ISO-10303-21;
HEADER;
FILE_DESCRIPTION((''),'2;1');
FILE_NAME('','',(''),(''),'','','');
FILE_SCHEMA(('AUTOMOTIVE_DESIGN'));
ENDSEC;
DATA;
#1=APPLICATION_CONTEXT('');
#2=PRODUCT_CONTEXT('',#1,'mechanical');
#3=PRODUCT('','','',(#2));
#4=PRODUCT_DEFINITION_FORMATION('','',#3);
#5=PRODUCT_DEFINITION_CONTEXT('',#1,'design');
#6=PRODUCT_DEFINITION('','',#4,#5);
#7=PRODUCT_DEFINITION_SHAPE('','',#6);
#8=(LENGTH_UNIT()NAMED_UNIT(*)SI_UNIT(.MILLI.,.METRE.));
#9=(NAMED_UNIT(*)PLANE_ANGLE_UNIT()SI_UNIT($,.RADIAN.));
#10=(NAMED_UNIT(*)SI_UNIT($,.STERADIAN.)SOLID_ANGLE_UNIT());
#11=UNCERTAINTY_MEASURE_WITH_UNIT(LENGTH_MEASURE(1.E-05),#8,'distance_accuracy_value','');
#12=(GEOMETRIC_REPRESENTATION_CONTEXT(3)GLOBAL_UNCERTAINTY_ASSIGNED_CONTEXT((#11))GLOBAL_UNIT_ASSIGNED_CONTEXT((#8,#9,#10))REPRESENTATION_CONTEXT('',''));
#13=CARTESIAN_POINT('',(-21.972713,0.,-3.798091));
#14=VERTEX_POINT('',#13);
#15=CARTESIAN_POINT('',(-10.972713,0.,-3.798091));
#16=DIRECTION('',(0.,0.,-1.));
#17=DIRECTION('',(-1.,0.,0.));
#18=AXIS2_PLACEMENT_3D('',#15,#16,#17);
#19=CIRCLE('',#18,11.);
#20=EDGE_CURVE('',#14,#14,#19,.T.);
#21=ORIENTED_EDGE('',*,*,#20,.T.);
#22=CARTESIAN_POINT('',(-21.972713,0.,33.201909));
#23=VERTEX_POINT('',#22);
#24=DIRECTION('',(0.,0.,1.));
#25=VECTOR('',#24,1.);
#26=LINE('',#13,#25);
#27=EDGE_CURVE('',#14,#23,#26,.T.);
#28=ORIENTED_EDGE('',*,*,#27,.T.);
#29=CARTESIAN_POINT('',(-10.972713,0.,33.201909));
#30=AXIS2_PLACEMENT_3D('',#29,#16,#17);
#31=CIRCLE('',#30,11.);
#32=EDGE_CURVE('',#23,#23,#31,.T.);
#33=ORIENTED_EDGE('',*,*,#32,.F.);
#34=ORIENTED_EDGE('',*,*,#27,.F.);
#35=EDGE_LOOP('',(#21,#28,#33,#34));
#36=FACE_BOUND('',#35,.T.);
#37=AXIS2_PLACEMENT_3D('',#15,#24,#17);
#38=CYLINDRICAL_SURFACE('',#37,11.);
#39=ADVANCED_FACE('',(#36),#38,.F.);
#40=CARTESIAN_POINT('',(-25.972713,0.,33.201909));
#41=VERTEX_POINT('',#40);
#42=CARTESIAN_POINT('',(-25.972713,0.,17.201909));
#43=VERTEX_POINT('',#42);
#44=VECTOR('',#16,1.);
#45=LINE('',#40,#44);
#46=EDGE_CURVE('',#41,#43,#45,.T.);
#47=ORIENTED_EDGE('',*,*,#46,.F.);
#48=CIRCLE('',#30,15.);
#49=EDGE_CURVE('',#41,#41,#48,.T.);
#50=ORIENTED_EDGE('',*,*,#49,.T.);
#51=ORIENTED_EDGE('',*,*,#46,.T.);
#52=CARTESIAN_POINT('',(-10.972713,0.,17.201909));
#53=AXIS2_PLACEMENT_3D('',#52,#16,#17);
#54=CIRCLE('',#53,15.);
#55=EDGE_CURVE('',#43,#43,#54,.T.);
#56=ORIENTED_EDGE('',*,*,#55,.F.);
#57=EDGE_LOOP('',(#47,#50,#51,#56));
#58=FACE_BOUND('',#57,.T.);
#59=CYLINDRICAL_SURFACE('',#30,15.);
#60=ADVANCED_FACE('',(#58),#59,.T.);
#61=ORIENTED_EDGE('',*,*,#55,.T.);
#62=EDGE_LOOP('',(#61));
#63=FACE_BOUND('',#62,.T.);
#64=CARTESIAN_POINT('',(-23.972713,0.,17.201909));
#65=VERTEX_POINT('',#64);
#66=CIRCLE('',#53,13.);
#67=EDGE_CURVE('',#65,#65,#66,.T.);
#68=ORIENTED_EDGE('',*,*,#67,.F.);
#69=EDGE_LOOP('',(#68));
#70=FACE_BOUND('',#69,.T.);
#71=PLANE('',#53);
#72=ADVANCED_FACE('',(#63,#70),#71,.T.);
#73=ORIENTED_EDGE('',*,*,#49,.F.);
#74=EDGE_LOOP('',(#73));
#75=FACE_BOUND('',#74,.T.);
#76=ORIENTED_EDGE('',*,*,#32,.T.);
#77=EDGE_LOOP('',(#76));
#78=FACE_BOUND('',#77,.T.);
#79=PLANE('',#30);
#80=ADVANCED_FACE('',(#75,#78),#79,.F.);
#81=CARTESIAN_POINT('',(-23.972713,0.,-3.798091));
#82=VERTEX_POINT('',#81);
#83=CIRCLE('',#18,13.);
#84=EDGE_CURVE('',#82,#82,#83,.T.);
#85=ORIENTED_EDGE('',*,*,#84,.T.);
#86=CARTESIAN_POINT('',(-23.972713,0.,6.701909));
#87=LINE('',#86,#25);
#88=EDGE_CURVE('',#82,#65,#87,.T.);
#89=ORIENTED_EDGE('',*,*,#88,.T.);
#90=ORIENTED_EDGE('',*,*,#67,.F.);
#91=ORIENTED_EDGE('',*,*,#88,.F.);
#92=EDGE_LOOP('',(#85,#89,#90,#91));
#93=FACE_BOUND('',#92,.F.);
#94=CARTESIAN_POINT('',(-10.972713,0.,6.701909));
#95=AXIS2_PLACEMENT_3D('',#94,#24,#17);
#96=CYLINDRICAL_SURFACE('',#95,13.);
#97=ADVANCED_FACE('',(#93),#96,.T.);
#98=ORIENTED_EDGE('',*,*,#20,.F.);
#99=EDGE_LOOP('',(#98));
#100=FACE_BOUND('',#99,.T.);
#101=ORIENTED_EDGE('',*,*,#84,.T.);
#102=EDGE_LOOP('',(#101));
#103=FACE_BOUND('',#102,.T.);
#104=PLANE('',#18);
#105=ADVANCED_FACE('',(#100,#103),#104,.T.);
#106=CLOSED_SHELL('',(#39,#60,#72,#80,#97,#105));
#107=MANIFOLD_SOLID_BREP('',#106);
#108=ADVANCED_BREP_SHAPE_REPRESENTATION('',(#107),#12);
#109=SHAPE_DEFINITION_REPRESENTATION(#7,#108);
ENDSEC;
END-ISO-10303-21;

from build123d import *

# Parameters (mm, degrees)
F0_W = 2
F0_H = 21


with BuildPart() as f2:
    # F0 (on Front) → F2 (revolve)
    with BuildSketch(Plane.XZ):
        Polygon((-25.972713, 17.201909), (-23.972713, 17.201909), (-21.972713, 17.201909), (-21.972713, 33.201909), (-25.972713, 33.201909), align=None)
        with Locations((-22.972713, 6.701909)):
            Rectangle(F0_W, F0_H)
    revolve(axis=Axis((-10.972713, 0, 12.957039), (0, 0, -1)))


solid = f2.part
